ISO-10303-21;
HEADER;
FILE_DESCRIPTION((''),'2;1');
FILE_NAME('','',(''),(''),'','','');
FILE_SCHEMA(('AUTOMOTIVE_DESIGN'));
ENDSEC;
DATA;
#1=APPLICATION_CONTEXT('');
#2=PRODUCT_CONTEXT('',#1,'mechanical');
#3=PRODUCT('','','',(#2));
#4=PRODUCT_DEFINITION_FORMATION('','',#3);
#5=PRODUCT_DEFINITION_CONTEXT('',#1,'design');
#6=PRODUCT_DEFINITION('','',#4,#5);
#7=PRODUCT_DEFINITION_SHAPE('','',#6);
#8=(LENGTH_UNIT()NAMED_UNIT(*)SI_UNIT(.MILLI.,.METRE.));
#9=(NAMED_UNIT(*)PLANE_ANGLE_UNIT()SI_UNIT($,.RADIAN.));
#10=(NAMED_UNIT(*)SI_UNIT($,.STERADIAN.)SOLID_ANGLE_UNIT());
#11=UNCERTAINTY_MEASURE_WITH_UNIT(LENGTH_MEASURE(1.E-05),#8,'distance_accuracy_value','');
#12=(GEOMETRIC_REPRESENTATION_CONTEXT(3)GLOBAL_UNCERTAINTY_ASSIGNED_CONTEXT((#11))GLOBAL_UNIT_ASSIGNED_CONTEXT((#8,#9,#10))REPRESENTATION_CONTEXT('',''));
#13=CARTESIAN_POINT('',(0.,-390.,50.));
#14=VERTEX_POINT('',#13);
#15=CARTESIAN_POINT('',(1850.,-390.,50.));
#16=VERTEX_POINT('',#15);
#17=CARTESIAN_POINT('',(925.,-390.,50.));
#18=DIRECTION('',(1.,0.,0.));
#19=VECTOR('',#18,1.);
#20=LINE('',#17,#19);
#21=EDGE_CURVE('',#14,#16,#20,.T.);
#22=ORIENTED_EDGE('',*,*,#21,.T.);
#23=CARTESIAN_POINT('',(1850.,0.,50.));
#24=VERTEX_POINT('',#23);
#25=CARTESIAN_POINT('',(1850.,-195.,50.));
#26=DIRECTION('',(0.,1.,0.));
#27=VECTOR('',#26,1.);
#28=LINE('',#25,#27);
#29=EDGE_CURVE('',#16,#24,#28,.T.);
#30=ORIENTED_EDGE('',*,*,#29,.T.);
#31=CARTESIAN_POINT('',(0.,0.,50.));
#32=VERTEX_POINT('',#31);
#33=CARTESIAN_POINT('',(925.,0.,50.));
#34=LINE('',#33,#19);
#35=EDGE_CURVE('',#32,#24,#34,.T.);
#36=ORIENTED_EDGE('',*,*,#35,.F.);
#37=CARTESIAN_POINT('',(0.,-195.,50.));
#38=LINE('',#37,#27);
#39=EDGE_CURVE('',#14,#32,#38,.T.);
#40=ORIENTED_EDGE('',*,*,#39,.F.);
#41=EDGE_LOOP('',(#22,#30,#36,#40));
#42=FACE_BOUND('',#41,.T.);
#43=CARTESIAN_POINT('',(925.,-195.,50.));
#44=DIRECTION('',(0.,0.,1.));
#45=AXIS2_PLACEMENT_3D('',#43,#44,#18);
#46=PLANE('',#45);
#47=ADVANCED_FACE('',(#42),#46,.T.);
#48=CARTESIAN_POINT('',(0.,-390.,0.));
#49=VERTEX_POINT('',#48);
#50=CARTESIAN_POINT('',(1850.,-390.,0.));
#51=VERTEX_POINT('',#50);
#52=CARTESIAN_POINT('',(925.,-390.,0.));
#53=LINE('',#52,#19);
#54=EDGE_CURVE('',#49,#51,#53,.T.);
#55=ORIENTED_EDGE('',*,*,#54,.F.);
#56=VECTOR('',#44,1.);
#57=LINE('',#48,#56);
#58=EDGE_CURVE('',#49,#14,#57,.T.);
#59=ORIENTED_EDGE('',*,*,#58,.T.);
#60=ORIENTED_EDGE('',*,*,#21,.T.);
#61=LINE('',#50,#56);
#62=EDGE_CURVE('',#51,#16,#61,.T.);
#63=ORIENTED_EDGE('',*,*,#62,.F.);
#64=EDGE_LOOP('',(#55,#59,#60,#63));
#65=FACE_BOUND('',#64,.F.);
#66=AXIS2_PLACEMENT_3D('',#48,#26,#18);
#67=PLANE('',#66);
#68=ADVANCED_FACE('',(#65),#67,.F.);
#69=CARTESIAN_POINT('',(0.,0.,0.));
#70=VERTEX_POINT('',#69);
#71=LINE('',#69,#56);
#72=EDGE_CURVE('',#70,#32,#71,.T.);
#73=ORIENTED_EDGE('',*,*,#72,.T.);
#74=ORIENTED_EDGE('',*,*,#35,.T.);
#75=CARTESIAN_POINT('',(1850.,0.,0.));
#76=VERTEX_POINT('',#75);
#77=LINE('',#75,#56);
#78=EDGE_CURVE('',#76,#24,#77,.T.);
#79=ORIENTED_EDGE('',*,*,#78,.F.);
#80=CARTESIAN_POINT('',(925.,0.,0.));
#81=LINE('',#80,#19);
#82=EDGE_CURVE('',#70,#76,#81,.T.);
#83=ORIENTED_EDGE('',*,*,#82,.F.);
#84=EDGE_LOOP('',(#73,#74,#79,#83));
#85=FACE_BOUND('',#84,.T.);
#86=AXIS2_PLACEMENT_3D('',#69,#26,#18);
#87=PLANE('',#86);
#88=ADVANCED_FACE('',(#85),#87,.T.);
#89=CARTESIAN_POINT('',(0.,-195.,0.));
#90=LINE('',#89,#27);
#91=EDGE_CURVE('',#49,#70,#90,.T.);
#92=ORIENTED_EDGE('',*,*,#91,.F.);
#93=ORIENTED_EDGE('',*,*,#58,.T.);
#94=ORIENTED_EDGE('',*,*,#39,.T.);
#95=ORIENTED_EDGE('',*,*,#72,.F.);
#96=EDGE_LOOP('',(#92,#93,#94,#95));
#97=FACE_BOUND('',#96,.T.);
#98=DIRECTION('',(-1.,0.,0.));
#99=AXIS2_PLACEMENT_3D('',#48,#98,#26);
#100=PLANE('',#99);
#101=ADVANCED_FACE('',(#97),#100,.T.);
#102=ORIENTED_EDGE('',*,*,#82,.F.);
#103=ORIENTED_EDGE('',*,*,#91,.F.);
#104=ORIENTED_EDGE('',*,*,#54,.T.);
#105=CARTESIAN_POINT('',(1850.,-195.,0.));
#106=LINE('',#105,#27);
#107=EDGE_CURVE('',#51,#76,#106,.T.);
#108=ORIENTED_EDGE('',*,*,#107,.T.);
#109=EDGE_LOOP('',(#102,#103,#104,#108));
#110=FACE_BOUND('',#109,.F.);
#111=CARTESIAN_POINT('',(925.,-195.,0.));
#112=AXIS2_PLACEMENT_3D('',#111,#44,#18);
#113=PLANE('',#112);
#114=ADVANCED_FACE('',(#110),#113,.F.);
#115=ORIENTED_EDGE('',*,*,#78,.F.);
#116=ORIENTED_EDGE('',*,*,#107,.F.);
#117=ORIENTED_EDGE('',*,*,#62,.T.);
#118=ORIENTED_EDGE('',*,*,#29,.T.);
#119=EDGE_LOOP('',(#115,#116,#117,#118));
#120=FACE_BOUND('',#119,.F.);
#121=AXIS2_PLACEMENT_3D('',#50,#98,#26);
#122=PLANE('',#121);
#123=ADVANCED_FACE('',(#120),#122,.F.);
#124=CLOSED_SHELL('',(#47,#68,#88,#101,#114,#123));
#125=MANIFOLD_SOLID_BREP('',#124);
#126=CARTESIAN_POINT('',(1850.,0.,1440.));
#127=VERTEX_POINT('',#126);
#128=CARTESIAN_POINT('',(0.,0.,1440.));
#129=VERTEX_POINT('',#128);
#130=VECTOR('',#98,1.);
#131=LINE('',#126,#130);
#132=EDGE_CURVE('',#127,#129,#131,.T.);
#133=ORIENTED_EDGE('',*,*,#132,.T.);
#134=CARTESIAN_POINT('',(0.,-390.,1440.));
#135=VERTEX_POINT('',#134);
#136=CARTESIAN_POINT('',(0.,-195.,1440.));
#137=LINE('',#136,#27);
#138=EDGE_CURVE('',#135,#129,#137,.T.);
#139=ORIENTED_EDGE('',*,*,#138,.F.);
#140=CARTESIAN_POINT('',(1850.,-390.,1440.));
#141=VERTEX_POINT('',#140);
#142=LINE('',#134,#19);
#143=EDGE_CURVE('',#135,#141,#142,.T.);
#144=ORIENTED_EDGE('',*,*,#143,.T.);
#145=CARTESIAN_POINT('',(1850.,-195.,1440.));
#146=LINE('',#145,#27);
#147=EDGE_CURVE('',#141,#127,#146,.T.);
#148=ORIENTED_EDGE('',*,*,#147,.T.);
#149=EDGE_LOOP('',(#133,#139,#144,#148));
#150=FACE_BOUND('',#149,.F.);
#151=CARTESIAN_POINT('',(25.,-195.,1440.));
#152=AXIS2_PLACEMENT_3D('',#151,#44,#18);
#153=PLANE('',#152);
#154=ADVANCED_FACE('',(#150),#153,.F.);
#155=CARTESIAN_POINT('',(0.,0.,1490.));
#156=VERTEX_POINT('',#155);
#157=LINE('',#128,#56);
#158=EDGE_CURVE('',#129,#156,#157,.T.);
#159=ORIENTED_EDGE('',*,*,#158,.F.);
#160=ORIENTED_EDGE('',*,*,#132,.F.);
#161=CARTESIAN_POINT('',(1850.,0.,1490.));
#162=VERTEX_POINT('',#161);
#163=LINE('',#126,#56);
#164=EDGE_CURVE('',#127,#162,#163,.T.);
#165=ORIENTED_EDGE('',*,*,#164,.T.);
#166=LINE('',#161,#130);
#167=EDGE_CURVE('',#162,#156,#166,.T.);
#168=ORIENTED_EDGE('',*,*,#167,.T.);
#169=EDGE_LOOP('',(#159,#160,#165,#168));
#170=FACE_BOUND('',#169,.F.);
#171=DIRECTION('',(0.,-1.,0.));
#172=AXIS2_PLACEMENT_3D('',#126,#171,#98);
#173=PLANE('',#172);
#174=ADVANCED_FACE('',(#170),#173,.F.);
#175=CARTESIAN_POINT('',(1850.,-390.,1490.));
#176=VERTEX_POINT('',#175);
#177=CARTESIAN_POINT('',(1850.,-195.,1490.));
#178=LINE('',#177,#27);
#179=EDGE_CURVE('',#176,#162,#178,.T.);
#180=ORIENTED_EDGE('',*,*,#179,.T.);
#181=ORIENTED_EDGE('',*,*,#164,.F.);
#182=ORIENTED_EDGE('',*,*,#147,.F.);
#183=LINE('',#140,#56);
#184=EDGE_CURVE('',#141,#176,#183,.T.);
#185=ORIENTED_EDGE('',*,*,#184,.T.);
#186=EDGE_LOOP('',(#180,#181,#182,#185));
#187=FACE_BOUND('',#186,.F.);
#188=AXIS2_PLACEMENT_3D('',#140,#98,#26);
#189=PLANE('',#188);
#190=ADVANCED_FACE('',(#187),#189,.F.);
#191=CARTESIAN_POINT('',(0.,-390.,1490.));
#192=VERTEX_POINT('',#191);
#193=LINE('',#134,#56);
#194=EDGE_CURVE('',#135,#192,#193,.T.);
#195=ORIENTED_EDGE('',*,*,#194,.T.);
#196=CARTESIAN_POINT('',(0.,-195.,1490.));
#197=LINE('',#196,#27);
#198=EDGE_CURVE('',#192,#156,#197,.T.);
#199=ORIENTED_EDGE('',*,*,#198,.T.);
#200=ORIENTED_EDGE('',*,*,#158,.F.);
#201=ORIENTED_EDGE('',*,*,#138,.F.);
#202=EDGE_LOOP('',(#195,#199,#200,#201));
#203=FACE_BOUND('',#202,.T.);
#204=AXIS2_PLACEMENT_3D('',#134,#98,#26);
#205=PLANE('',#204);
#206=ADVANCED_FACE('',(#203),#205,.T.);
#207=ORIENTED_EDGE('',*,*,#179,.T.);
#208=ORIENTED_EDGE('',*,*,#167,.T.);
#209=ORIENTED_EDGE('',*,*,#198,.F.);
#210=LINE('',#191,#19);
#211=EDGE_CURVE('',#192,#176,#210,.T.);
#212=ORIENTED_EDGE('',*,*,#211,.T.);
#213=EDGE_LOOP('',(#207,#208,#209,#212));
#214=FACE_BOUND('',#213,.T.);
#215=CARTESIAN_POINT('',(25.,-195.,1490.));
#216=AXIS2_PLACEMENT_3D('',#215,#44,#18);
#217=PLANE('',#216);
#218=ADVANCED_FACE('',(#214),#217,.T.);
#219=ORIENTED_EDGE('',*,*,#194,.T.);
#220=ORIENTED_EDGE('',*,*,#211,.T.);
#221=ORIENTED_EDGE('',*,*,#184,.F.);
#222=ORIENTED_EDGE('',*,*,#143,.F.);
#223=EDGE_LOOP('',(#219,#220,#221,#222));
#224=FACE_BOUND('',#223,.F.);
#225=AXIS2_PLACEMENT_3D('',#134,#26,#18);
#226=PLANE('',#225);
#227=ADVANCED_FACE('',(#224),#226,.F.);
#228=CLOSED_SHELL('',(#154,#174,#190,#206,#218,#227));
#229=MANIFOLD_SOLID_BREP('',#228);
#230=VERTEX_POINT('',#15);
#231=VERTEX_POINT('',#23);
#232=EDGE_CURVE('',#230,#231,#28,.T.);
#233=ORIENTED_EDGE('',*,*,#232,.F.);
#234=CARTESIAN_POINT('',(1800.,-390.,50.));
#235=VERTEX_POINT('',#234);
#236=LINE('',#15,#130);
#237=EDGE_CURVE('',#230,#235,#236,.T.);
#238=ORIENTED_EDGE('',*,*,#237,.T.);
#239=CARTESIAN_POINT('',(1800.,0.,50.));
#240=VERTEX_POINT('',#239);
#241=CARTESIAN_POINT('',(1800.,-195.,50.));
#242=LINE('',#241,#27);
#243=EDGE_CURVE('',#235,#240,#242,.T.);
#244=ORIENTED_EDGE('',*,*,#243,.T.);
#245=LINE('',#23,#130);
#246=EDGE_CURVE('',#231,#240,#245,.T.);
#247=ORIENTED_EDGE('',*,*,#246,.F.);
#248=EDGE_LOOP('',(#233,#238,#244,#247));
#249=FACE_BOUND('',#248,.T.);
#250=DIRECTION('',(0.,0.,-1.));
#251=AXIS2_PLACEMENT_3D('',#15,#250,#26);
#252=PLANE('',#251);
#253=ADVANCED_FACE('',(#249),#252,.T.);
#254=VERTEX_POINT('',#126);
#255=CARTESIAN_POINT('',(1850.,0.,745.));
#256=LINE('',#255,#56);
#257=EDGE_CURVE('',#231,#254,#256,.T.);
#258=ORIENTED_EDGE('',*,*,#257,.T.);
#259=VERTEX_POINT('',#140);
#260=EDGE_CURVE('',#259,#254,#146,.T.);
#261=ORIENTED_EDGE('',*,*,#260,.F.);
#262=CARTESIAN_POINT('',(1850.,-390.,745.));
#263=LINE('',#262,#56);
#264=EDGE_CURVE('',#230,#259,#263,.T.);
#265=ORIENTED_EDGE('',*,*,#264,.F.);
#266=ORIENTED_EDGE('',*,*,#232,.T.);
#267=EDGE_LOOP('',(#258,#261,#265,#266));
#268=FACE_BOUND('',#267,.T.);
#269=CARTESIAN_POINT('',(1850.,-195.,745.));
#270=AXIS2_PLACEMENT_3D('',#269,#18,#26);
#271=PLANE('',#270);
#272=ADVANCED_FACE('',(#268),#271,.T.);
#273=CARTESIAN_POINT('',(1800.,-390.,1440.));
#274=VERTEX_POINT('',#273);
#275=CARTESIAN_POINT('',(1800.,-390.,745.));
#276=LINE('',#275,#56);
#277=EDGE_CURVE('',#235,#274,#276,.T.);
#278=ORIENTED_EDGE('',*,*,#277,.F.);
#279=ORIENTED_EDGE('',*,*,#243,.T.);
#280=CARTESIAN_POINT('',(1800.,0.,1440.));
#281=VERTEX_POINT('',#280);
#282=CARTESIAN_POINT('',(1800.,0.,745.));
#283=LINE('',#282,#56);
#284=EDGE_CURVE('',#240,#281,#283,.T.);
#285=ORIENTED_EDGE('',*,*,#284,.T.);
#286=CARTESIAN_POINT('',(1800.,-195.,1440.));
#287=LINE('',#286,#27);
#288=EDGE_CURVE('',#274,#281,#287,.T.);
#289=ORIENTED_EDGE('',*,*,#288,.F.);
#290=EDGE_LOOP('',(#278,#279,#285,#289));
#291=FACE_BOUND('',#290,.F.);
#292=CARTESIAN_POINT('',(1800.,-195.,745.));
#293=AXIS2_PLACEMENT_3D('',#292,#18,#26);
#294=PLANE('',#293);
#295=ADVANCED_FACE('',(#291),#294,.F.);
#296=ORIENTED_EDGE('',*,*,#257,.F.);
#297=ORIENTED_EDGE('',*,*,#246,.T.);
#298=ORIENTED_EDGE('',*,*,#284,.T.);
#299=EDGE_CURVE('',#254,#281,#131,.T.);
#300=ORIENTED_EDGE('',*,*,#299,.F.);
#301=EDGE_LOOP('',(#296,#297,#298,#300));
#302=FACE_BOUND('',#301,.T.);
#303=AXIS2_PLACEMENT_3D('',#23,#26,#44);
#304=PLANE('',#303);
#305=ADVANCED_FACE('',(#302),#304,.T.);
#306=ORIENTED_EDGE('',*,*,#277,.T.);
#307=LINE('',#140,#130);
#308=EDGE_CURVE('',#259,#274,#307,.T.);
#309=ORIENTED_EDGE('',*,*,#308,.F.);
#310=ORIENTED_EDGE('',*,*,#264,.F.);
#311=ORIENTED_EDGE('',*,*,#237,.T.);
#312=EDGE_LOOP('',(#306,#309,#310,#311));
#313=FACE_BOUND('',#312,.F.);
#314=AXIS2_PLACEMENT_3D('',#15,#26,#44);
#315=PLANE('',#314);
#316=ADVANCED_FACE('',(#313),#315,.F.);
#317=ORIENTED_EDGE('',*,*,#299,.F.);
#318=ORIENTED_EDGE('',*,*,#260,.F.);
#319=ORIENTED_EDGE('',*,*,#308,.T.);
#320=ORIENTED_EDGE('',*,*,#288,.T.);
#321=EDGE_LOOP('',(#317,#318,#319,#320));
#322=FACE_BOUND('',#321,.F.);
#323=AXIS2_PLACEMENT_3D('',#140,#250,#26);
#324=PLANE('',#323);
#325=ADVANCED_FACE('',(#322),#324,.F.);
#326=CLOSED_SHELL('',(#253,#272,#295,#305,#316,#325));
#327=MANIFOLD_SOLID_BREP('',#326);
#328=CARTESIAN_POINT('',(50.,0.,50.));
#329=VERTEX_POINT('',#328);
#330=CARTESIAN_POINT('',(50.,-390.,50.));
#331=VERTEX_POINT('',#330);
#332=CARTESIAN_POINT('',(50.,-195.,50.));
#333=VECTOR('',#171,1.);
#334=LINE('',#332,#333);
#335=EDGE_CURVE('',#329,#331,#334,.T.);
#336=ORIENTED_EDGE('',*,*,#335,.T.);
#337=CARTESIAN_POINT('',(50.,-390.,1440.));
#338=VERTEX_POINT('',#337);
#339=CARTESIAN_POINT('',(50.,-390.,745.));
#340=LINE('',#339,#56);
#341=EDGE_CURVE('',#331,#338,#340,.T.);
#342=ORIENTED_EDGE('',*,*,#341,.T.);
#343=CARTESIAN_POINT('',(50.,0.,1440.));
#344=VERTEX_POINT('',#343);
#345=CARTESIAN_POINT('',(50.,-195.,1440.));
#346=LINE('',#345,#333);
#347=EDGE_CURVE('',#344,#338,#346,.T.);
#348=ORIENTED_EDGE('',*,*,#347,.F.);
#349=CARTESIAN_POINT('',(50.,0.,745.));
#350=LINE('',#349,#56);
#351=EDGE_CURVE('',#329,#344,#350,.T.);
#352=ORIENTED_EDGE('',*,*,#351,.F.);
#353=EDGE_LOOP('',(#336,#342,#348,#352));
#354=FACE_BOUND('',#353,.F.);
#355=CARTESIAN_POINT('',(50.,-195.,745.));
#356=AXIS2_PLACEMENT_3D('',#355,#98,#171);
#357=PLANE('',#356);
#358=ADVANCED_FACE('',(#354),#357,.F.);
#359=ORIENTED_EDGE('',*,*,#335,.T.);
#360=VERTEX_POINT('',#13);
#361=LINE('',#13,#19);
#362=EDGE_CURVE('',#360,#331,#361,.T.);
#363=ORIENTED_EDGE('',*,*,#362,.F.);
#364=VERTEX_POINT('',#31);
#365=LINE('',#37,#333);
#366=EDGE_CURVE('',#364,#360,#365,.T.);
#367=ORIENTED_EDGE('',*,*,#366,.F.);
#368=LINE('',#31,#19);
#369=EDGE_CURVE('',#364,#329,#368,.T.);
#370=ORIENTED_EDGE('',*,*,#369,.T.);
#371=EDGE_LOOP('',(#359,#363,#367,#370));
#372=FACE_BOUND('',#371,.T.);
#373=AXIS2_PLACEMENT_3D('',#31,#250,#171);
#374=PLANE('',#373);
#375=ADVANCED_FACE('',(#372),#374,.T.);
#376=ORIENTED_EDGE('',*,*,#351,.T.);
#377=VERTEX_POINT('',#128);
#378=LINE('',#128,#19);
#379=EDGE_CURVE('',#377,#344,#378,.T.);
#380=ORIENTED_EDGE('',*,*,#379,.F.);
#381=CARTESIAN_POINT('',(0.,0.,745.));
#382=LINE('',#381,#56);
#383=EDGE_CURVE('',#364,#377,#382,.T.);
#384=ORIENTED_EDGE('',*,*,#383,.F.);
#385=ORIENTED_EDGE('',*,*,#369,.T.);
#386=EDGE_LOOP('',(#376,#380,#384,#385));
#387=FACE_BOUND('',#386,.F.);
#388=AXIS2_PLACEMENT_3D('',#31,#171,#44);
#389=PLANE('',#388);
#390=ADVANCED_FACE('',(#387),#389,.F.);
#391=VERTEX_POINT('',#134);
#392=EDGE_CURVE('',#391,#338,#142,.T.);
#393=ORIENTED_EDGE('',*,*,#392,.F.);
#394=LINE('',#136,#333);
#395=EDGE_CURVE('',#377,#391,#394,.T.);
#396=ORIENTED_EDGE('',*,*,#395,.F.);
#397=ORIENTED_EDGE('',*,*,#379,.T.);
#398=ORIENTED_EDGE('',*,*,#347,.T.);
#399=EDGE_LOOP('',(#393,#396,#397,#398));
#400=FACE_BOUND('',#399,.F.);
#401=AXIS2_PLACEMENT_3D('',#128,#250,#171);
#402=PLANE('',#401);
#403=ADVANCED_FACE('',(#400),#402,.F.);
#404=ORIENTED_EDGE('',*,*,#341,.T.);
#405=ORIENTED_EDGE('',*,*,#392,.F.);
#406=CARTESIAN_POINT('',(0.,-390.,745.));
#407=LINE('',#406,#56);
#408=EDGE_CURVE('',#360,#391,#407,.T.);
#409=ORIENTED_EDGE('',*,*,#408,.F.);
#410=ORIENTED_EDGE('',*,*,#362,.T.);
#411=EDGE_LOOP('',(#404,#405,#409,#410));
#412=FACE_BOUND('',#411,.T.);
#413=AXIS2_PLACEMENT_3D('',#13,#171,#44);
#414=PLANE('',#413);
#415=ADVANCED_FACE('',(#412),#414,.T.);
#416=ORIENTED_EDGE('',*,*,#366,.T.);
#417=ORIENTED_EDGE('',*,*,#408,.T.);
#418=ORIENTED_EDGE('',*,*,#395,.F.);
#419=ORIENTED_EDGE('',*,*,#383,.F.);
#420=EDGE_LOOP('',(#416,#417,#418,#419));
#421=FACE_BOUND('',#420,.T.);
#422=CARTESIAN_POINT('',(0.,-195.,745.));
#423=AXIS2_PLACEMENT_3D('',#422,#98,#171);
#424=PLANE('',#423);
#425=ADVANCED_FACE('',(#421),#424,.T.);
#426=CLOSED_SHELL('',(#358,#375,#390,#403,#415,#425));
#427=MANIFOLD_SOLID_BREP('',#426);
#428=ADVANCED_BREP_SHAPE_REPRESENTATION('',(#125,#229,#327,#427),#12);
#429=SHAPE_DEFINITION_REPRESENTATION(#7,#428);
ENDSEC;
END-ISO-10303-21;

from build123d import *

# Parameters (mm, degrees)
F0_W     = 1850
F0_H     = 390
F1_DEPTH = 50
F2_W     = 390
F2_H     = 1390
F3_DEPTH = 50
F4_W     = 390
F4_H     = 1390
F5_DEPTH = 50
F6_W     = 50
F6_H     = 390
F6_W_2   = 1800
F7_DEPTH = 50


with BuildPart() as f1:
    # F0 (on Top) → F1 (new body)
    with BuildSketch(Plane.XY):
        with Locations((925, -195)):
            Rectangle(F0_W, F0_H)
    extrude(amount=F1_DEPTH)


with BuildPart() as f3:
    # F2 (on face) → F3 (new body)
    with BuildSketch(Plane(origin=(0, 0, 0), x_dir=(0, -1, 0), z_dir=(-1, 0, 0))):
        with Locations((195, 745)):
            Rectangle(F2_W, F2_H)
    extrude(amount=-F3_DEPTH)


with BuildPart() as f5:
    # F4 (on face) → F5 (new body)
    with BuildSketch(Plane.YZ.offset(1850)):
        with Locations((-195, 745)):
            Rectangle(F4_W, F4_H)
    extrude(amount=-F5_DEPTH)


with BuildPart() as f7:
    # F6 (on face) → F7 (new body)
    with BuildSketch(Plane.XY.offset(1440)):
        with Locations((25, -195)):
            Rectangle(F6_W, F6_H)
        with Locations((950, -195)):
            Rectangle(F6_W_2, F6_H)
    extrude(amount=F7_DEPTH)


solid = Compound([f1.part, f3.part, f5.part, f7.part])
